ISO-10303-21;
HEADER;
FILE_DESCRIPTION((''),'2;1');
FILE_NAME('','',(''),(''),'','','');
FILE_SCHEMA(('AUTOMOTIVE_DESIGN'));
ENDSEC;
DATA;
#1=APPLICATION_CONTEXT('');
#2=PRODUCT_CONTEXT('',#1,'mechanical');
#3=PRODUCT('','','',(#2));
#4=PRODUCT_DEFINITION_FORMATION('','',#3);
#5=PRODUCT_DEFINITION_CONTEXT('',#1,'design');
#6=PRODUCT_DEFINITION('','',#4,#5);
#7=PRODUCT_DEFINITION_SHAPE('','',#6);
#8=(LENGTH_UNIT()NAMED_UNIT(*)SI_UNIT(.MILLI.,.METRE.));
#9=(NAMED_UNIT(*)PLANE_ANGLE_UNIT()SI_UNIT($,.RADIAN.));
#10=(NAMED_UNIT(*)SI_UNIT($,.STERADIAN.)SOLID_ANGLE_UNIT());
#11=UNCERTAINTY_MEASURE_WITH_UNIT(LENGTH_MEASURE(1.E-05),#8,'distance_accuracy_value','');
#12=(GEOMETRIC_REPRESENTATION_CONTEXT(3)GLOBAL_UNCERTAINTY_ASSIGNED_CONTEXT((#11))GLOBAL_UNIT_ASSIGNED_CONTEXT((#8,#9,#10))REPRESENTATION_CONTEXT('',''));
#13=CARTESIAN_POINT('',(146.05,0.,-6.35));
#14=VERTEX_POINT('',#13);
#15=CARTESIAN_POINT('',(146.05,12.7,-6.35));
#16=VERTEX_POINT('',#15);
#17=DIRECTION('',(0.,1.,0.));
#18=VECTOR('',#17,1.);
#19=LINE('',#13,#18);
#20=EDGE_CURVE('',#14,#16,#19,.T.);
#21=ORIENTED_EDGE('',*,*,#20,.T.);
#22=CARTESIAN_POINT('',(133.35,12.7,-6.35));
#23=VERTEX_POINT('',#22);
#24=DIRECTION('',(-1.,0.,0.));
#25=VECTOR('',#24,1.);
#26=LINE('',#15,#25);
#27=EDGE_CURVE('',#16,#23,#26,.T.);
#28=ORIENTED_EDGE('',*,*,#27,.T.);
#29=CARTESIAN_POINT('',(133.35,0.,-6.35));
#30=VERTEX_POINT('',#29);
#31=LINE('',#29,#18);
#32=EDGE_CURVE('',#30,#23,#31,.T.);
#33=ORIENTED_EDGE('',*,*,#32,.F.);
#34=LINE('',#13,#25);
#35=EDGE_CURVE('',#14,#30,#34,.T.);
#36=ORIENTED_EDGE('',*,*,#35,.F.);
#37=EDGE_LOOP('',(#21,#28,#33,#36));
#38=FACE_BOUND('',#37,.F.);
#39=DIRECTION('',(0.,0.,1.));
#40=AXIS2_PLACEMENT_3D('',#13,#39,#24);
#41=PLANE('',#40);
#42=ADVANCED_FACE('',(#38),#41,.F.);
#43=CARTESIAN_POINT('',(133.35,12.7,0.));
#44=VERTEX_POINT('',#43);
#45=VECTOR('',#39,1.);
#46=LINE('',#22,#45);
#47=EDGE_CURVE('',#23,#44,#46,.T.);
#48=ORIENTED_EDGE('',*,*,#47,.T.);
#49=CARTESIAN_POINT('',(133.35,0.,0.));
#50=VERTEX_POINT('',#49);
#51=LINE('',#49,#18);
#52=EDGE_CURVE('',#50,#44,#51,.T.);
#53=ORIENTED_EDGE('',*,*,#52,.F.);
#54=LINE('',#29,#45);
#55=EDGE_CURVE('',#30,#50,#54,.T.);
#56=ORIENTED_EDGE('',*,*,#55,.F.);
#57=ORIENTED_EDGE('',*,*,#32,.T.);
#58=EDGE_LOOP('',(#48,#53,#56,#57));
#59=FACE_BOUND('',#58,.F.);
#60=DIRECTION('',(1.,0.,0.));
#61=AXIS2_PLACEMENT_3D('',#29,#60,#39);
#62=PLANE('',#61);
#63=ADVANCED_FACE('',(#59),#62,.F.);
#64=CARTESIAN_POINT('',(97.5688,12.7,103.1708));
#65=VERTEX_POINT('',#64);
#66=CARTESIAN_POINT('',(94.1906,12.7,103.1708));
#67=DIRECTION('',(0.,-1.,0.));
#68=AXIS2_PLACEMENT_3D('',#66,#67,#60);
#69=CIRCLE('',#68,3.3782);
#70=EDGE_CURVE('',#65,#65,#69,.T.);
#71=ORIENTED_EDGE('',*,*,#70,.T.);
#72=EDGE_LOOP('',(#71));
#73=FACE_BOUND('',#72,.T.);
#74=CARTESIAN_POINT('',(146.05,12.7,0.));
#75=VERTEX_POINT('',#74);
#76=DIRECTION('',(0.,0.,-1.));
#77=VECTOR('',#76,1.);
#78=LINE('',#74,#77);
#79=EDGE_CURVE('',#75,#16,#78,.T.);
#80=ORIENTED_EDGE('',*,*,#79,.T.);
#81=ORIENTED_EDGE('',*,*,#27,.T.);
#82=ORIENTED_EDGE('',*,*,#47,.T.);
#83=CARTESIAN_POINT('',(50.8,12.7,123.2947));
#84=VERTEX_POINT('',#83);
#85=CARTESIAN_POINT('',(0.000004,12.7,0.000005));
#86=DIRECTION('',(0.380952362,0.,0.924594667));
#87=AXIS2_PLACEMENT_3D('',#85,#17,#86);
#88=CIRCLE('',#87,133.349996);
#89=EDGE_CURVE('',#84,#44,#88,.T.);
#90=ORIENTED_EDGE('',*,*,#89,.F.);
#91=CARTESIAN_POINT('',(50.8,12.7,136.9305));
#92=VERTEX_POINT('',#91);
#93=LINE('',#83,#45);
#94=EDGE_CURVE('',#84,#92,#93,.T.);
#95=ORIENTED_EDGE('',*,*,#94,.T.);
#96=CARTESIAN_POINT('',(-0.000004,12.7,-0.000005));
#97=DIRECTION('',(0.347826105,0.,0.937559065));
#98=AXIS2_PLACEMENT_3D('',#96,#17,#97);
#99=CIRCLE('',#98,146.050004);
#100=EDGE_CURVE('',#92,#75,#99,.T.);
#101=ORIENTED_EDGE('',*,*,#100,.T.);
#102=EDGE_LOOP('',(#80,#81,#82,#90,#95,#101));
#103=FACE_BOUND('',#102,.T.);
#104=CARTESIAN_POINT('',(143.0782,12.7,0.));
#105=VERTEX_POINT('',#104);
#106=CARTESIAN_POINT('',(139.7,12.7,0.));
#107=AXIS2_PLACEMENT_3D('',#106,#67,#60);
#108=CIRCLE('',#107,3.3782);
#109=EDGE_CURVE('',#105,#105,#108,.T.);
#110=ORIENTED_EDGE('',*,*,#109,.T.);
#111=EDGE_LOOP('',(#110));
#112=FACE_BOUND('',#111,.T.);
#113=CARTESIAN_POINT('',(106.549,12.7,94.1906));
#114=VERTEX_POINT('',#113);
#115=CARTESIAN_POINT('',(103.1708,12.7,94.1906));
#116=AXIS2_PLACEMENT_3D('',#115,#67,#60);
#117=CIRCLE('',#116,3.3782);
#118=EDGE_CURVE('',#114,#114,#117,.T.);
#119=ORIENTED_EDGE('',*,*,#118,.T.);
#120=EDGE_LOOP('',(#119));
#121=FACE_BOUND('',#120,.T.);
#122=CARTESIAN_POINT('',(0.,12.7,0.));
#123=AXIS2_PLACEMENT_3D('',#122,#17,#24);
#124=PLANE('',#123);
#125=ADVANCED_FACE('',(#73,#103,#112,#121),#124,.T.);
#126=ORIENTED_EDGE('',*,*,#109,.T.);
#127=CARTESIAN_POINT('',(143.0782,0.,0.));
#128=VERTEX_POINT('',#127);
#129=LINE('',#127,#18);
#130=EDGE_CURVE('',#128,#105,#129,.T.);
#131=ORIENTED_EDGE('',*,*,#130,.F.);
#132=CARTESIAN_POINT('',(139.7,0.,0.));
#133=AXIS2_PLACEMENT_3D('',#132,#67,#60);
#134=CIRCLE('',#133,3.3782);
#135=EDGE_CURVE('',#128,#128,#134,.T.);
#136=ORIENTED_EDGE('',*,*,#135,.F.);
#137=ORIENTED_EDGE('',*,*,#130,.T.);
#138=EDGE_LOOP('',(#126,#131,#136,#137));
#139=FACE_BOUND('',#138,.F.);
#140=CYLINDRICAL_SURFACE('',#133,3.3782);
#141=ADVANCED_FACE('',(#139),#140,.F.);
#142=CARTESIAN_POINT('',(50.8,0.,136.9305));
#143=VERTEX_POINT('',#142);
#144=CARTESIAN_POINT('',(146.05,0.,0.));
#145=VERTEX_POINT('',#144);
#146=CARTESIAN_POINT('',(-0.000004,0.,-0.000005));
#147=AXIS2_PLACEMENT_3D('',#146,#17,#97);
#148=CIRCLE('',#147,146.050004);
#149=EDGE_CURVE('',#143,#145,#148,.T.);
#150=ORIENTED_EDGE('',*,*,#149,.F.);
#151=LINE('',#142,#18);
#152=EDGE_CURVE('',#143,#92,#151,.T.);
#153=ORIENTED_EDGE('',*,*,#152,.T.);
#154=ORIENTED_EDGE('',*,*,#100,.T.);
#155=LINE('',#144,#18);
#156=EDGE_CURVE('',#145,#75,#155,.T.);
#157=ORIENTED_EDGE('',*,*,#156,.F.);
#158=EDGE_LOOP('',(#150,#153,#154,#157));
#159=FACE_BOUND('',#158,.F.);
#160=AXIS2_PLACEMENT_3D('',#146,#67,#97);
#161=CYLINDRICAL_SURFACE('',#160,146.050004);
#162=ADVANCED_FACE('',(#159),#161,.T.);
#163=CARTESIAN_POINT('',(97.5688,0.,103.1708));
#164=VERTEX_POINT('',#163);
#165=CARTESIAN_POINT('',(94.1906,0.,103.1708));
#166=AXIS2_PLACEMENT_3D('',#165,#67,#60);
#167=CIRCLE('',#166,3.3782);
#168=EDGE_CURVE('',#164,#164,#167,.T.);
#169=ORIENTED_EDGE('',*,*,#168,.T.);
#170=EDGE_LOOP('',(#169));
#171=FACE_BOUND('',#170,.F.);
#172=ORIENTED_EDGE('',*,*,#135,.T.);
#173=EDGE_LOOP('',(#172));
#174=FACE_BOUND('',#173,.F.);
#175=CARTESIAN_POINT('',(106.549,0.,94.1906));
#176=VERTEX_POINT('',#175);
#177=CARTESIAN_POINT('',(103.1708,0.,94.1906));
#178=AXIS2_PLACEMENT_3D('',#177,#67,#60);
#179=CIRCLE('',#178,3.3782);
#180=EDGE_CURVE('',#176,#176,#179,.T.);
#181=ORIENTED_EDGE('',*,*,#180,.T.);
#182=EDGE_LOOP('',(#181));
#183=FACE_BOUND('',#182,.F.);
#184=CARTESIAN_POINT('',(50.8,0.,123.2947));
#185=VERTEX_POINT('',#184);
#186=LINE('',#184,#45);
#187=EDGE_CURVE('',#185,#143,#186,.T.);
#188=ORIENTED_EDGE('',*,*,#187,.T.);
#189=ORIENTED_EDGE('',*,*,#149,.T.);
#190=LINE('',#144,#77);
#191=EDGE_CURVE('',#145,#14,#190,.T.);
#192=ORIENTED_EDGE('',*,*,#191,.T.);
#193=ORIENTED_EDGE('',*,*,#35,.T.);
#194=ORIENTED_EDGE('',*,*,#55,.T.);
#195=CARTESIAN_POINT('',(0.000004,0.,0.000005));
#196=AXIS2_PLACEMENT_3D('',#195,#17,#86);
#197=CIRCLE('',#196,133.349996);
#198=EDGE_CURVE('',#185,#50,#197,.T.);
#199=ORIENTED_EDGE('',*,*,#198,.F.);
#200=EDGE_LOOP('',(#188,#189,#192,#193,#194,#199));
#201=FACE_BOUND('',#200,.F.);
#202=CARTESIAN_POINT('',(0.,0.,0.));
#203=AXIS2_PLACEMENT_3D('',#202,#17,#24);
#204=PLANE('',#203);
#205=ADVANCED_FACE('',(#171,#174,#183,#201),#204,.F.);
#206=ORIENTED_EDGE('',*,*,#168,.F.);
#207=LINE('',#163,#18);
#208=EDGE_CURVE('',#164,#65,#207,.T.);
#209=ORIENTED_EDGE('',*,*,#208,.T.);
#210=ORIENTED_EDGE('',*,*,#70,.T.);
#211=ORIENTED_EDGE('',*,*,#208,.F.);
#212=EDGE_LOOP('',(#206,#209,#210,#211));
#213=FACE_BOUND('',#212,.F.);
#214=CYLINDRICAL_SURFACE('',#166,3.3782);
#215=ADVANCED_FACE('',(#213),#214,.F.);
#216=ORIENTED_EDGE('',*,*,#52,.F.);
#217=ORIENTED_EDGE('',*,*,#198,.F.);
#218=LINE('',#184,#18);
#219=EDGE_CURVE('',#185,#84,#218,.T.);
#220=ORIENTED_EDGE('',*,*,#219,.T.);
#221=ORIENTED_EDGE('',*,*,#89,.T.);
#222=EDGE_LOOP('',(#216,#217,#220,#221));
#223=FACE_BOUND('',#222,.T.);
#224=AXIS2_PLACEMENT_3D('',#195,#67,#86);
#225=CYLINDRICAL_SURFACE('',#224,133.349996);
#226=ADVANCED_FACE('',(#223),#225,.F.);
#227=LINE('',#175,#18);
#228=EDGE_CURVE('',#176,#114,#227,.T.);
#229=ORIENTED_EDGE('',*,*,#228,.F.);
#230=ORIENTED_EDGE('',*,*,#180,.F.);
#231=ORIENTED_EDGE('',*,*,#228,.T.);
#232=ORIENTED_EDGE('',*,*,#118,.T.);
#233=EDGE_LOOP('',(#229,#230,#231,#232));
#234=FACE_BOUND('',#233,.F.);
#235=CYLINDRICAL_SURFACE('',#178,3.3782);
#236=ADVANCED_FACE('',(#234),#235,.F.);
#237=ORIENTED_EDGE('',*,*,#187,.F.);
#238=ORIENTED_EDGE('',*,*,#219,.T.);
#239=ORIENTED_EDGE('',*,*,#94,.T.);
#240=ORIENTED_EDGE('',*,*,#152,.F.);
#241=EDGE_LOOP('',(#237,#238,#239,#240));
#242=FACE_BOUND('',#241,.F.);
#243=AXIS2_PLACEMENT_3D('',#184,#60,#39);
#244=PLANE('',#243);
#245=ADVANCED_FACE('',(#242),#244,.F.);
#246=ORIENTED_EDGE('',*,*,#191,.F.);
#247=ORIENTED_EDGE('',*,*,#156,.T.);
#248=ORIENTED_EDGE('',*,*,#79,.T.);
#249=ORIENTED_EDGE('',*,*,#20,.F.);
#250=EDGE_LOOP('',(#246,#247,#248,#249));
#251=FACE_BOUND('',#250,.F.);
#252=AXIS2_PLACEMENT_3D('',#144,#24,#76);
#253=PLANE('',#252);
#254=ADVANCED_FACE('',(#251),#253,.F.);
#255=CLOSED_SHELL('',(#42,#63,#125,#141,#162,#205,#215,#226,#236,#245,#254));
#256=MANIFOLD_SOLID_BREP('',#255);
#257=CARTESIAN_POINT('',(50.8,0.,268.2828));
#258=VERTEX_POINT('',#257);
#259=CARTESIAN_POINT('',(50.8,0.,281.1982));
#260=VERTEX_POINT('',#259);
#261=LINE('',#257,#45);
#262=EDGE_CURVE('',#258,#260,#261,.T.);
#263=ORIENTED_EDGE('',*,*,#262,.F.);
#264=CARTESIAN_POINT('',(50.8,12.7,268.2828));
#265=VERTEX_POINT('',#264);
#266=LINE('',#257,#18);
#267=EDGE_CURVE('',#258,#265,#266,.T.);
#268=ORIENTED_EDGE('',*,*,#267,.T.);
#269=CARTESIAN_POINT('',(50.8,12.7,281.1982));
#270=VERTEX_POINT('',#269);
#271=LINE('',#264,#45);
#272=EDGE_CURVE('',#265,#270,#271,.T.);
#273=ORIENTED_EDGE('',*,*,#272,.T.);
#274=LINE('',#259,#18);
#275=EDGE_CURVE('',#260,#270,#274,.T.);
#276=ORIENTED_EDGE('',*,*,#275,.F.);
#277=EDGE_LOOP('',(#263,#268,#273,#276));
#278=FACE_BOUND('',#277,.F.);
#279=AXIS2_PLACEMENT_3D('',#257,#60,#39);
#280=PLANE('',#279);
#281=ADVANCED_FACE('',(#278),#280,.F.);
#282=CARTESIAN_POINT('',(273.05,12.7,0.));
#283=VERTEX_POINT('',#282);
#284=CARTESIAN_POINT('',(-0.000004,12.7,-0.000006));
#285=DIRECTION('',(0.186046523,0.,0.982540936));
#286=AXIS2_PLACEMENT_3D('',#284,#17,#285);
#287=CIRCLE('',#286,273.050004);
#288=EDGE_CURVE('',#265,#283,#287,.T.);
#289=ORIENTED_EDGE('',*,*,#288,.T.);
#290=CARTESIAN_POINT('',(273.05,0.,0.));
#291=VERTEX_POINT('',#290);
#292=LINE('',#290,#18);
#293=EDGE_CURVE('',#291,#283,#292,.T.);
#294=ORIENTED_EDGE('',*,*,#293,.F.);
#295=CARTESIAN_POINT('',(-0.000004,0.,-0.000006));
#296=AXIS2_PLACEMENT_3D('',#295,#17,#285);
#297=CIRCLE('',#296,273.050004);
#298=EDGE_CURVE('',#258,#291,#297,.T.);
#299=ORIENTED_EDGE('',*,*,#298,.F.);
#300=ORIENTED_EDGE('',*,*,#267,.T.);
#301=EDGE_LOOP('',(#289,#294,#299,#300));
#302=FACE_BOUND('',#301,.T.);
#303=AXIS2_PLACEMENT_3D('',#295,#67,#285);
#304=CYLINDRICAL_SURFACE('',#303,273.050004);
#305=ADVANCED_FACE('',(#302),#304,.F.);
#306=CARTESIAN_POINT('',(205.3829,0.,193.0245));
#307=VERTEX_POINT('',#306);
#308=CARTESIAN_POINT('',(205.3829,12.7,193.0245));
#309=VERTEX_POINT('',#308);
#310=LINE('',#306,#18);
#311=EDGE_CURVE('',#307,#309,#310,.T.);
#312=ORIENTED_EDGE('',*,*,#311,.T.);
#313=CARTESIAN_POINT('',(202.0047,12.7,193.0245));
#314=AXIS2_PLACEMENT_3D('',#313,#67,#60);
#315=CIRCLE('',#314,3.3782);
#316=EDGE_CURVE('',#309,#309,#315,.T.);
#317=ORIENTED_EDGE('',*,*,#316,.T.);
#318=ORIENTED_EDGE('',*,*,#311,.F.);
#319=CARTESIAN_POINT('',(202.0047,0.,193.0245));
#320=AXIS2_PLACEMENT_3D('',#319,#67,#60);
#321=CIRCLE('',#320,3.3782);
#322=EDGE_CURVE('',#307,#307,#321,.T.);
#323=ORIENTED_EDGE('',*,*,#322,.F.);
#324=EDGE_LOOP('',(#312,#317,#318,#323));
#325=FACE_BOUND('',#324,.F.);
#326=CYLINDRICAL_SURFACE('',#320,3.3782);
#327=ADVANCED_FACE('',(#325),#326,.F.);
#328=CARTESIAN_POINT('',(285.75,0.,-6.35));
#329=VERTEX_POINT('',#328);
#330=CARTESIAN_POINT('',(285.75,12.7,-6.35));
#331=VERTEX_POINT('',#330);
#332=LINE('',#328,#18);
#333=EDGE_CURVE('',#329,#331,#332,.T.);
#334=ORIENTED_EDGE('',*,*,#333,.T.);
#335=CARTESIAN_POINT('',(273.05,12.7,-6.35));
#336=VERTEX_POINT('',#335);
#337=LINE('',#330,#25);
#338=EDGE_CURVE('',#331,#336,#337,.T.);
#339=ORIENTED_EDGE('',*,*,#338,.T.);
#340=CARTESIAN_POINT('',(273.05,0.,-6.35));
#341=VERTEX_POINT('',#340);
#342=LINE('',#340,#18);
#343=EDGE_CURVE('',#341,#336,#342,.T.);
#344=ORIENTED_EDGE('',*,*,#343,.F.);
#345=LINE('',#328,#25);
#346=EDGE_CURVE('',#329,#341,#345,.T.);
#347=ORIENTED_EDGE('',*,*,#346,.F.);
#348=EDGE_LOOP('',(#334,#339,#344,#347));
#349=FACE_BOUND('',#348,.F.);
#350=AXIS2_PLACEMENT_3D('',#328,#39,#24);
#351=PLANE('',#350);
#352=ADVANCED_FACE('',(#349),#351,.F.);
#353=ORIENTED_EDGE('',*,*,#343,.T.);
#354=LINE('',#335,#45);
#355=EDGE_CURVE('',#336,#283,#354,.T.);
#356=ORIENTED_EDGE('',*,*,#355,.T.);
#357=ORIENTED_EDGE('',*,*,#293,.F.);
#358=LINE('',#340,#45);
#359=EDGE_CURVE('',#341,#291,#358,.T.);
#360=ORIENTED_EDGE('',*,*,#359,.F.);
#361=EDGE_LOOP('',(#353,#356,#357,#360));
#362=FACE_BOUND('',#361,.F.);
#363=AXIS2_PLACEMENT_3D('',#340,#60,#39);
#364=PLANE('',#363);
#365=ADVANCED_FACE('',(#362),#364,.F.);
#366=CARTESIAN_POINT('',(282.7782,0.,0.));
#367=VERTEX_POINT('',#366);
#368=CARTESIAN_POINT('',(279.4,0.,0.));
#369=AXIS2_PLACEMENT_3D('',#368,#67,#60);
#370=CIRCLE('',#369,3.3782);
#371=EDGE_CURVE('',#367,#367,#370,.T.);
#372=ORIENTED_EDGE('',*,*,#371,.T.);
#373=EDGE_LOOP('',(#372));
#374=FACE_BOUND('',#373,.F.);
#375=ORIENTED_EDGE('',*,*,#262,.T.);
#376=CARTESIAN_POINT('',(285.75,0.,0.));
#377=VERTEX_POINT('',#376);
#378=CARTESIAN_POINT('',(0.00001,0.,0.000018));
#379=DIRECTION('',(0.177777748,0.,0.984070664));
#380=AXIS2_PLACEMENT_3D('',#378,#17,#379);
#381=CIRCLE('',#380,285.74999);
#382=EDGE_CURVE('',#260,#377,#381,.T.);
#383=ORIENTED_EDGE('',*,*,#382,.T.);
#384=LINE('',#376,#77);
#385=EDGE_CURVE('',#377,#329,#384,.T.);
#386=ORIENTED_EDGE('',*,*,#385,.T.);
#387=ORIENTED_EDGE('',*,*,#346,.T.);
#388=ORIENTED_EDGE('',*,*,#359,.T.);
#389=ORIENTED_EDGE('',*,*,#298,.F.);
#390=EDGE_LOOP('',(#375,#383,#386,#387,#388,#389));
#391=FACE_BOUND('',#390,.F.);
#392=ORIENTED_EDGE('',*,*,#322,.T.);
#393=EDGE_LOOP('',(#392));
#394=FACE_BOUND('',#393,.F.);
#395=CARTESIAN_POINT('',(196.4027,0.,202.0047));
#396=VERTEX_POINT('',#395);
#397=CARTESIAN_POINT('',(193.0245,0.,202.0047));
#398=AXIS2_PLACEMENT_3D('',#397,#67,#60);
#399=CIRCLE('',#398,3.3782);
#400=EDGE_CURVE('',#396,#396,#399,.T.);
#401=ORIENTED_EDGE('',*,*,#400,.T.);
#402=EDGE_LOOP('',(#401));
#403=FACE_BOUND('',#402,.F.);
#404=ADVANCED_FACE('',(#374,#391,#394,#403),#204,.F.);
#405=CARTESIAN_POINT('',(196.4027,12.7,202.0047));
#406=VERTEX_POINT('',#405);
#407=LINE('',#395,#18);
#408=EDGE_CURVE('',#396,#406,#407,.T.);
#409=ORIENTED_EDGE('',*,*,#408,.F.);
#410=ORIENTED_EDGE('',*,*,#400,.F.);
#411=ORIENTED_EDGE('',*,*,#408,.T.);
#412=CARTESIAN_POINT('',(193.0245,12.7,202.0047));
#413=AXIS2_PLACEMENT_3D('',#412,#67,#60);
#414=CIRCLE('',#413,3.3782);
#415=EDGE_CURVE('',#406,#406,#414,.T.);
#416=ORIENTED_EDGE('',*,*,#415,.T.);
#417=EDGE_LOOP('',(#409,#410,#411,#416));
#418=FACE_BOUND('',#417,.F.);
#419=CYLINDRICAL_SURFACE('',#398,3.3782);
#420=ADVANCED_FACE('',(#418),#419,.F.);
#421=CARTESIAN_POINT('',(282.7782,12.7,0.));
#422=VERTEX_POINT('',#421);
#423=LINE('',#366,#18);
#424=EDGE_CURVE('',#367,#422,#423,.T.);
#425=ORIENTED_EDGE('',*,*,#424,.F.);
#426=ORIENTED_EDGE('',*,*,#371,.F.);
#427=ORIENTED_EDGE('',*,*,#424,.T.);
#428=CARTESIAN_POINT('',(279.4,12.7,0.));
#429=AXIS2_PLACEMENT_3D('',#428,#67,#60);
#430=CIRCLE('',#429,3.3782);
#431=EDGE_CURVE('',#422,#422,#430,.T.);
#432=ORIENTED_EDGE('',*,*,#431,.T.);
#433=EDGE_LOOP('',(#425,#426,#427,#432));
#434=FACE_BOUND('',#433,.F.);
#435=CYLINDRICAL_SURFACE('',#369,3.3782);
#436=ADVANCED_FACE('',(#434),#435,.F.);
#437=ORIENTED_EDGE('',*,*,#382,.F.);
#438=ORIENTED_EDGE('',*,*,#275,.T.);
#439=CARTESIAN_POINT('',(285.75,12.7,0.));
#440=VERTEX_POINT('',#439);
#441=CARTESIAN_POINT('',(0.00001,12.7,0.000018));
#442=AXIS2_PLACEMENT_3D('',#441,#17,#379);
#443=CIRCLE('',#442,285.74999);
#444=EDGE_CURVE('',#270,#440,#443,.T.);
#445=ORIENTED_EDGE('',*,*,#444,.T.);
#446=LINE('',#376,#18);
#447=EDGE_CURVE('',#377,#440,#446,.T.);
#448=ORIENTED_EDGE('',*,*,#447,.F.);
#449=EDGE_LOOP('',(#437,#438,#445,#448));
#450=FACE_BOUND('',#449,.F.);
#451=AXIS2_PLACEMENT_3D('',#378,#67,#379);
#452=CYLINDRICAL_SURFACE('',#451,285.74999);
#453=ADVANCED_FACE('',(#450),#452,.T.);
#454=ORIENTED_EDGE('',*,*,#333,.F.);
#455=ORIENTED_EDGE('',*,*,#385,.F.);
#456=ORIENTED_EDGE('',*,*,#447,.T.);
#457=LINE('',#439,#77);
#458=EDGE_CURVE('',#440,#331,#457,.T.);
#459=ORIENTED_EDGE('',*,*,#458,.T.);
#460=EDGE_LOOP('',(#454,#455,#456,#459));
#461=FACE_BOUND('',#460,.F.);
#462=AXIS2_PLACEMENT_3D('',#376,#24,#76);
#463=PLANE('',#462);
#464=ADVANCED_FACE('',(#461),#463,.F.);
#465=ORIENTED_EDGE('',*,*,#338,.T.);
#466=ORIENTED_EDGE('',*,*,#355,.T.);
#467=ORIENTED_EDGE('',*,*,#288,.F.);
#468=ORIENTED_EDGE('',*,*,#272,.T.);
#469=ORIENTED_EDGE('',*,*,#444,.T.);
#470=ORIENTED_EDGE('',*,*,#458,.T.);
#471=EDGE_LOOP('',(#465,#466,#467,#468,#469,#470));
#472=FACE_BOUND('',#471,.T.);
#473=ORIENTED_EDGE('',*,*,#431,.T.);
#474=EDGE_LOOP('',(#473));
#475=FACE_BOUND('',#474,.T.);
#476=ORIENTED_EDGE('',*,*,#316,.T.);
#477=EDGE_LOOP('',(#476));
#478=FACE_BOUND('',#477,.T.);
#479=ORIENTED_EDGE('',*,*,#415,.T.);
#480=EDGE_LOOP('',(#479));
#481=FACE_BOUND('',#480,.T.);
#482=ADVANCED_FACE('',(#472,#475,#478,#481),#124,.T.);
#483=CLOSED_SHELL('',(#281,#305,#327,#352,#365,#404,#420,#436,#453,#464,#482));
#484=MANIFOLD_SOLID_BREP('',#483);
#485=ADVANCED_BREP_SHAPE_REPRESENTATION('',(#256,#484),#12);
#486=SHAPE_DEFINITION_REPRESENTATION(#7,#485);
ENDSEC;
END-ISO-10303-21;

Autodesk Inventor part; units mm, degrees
ref_plane "YZ Plane" through (0, 0, 0) normal (1, 0, 0) x (0, 1, 0)
ref_plane "XZ Plane" through (0, 0, 0) normal (0, 1, 0) x (-1, 0, 0)
ref_plane "XY Plane" through (0, 0, 0) normal (0, 0, 1) x (1, 0, 0)
sketch "Sketch1" plane through (0, 0, 0) normal (0, 1, 0) x (-1, 0, 0)
  circle A0 centre (-193.0245, 202.0047) radius 4.7625
  circle A1 centre (-279.4, 0) radius 4.7625
  circle A2 centre (-202.0047, 193.0245) radius 4.7625
  arc A3 (-50.8, 268.2828) -> (-273.05, 0) centre (0, 0) ccw
  arc A4 (-50.8, 281.1982) -> (-285.75, 0) centre (0, 0) ccw
  line L0 (-285.75, 0) -> (-285.75, -6.35)
  line L1 (-285.75, -6.35) -> (-273.05, -6.35)
  line L2 (-273.05, -6.35) -> (-273.05, 0)
  circle A5 centre (-94.1906, 103.1708) radius 4.7625
  circle A6 centre (-139.7, 0) radius 4.7625
  circle A7 centre (-103.1708, 94.1906) radius 4.7625
  arc A8 (-50.8, 136.9305) -> (-146.05, 0) centre (0, 0) ccw
  line L3 (-146.05, 0) -> (-146.05, -6.35)
  line L4 (-146.05, -6.35) -> (-133.35, -6.35)
  line L5 (-133.35, -6.35) -> (-133.35, 0)
  arc A9 (-50.8, 123.2947) -> (-133.35, 0) centre (0, 0) ccw
  line L6 (-50.8, 123.2947) -> (-50.8, 136.9305)
  line L7 (-50.8, 268.2828) -> (-50.8, 281.1982)
extrude "Extrusion1" add sketch "Sketch1" along normal blind 12.7
sketch "Sketch2" plane through (0, 0, 0) normal (0, -1, 0) x (1, 0, 0)
  circle A0 centre (202.0047, 193.0245) radius 4.7625 projected
  circle A1 centre (193.0245, 202.0047) radius 4.7625 projected
  circle A2 centre (279.4, 0) radius 4.7625 projected
  arc A3 (133.35, 0) -> (50.8, 123.2947) centre (0, 0) ccw projected
  circle A4 centre (103.1708, 94.1906) radius 4.7625 projected
  circle A5 centre (94.1906, 103.1708) radius 4.7625 projected
  circle A6 centre (139.7, 0) radius 4.7625 projected
  arc A7 (146.05, 0) -> (50.8, 136.9305) centre (0, 0) ccw projected
  line L0 (50.8, 136.9305) -> (50.8, 123.2947) projected
  arc A8 (133.35, 0) -> (50.8, 123.2947) centre (0, 0) ccw projected
  line L1 (133.35, 0) -> (133.35, -6.35) projected
  line L2 (133.35, -6.35) -> (146.05, -6.35) projected
  line L3 (146.05, -6.35) -> (146.05, 0) projected
  circle A9 centre (202.0047, 193.0245) radius 3.3782
  circle A10 centre (193.0245, 202.0047) radius 3.3782
  circle A11 centre (279.4, 0) radius 3.3782
  circle A12 centre (139.7, 0) radius 3.3782
  circle A13 centre (94.1906, 103.1708) radius 3.3782
  circle A14 centre (103.1708, 94.1906) radius 3.3782
  dimension "d3" = 6.7564
  dimension "d4" = 6.7564
  dimension "d5" = 6.7564
  dimension "d6" = 6.7564
  dimension "d7" = 6.7564
  dimension "d8" = 6.7564
extrude "Extrusion2" add sketch "Sketch2" against normal blind 12.7 contours A0 | A1 | A2 | A4 | A5 | A6
properties part number "Upper Rails" material "Polycarbonate, Clear"
